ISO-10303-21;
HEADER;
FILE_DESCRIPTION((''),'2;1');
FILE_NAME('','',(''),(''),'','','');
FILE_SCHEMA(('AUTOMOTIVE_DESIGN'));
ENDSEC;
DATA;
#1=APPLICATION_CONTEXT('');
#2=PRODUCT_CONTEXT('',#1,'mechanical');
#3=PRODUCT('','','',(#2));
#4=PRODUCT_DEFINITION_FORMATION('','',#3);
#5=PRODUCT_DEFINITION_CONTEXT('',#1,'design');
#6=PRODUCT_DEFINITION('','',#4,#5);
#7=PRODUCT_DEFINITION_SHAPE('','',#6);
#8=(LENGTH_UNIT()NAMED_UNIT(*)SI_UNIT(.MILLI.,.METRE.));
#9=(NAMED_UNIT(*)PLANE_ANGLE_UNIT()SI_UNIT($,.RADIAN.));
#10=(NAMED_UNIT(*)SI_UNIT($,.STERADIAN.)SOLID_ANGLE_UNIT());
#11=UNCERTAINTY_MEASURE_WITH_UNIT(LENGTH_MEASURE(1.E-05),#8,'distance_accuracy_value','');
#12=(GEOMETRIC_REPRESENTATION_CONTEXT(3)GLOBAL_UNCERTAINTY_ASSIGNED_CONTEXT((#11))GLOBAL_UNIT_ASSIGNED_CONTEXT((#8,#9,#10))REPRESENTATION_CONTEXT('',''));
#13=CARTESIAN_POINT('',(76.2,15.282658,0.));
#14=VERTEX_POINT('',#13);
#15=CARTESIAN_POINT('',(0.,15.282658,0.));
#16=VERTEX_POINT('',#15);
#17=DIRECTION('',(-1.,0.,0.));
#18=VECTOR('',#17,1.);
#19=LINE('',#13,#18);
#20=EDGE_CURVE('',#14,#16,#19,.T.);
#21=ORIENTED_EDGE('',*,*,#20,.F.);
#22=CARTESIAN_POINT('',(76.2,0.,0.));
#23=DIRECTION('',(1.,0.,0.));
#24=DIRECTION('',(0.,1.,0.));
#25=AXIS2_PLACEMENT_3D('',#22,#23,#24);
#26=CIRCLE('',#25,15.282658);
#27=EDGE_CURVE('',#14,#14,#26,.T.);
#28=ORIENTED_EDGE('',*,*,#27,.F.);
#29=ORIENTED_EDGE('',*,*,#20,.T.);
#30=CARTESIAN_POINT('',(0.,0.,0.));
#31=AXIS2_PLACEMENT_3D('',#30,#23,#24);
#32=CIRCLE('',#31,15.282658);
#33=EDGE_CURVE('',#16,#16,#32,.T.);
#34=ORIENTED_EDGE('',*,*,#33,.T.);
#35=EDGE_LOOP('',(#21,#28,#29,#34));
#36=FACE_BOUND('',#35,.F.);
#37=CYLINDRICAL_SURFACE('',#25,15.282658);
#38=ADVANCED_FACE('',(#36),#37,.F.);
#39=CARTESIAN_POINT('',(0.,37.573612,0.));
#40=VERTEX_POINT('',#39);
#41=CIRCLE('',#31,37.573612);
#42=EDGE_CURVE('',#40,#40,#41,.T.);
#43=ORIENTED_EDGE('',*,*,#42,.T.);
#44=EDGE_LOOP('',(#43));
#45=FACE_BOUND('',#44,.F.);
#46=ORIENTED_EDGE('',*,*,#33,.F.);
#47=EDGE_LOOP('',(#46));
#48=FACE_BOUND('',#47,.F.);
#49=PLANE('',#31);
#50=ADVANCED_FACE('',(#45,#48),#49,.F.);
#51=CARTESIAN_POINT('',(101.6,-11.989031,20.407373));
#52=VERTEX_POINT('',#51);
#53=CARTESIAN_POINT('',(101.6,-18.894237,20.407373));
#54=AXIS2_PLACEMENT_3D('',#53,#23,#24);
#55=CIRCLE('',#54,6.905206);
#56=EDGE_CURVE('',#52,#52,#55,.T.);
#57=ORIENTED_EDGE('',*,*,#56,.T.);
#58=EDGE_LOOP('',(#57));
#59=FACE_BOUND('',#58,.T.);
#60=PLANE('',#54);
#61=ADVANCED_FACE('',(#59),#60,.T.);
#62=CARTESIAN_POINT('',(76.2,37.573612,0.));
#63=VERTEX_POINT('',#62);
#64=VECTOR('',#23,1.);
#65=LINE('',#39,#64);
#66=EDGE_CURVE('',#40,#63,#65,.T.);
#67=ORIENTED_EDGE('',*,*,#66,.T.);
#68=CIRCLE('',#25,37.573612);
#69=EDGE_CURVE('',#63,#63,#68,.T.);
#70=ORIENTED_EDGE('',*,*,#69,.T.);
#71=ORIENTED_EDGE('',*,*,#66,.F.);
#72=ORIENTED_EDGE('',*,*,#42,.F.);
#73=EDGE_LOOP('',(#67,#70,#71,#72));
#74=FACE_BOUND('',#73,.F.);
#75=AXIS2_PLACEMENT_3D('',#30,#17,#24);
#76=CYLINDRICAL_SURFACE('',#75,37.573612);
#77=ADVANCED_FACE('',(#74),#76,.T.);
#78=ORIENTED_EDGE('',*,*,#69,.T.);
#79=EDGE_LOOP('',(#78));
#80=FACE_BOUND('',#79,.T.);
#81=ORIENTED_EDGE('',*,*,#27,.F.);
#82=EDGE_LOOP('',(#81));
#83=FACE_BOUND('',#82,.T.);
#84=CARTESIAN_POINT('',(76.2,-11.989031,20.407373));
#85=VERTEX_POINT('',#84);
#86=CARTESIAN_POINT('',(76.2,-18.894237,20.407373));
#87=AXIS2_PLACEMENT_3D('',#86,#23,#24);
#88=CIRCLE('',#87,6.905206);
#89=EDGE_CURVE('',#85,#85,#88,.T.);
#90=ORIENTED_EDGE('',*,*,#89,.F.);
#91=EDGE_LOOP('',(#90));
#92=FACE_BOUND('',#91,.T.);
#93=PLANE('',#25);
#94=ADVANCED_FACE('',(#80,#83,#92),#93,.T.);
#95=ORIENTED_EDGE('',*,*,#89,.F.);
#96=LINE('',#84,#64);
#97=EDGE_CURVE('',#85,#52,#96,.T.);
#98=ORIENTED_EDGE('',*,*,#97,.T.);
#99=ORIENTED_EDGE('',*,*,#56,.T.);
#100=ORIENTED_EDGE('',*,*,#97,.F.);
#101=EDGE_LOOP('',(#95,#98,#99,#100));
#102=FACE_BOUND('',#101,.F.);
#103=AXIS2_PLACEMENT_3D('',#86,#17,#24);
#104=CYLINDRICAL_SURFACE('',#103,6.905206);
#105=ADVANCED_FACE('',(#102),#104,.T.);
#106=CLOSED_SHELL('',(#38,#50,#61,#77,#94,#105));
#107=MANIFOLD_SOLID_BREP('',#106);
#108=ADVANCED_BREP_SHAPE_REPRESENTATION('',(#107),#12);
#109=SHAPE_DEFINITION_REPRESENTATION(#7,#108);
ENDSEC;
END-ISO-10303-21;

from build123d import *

# Parameters (mm, degrees)
F0_R     = 37.573612
F1_DEPTH = 76.2
F2_R     = 15.282658
F3_DEPTH = 76.2
F4_R     = 6.905206
F5_DEPTH = 25.4


with BuildPart() as f1:
    # F0 (on Right) → F1 (new body)
    with BuildSketch(Plane.YZ):
        Circle(F0_R)
    extrude(amount=F1_DEPTH)

    # F2 (on face) → F3 (cut)
    with BuildSketch(Plane.YZ.offset(76.2)):
        Circle(F2_R)
    extrude(amount=-F3_DEPTH, mode=Mode.SUBTRACT)

    # F4 (on face) → F5 (join)
    with BuildSketch(Plane.YZ.offset(76.2)):
        with Locations((-18.894237, 20.407373)):
            Circle(F4_R)
    extrude(amount=F5_DEPTH)


solid = f1.part
